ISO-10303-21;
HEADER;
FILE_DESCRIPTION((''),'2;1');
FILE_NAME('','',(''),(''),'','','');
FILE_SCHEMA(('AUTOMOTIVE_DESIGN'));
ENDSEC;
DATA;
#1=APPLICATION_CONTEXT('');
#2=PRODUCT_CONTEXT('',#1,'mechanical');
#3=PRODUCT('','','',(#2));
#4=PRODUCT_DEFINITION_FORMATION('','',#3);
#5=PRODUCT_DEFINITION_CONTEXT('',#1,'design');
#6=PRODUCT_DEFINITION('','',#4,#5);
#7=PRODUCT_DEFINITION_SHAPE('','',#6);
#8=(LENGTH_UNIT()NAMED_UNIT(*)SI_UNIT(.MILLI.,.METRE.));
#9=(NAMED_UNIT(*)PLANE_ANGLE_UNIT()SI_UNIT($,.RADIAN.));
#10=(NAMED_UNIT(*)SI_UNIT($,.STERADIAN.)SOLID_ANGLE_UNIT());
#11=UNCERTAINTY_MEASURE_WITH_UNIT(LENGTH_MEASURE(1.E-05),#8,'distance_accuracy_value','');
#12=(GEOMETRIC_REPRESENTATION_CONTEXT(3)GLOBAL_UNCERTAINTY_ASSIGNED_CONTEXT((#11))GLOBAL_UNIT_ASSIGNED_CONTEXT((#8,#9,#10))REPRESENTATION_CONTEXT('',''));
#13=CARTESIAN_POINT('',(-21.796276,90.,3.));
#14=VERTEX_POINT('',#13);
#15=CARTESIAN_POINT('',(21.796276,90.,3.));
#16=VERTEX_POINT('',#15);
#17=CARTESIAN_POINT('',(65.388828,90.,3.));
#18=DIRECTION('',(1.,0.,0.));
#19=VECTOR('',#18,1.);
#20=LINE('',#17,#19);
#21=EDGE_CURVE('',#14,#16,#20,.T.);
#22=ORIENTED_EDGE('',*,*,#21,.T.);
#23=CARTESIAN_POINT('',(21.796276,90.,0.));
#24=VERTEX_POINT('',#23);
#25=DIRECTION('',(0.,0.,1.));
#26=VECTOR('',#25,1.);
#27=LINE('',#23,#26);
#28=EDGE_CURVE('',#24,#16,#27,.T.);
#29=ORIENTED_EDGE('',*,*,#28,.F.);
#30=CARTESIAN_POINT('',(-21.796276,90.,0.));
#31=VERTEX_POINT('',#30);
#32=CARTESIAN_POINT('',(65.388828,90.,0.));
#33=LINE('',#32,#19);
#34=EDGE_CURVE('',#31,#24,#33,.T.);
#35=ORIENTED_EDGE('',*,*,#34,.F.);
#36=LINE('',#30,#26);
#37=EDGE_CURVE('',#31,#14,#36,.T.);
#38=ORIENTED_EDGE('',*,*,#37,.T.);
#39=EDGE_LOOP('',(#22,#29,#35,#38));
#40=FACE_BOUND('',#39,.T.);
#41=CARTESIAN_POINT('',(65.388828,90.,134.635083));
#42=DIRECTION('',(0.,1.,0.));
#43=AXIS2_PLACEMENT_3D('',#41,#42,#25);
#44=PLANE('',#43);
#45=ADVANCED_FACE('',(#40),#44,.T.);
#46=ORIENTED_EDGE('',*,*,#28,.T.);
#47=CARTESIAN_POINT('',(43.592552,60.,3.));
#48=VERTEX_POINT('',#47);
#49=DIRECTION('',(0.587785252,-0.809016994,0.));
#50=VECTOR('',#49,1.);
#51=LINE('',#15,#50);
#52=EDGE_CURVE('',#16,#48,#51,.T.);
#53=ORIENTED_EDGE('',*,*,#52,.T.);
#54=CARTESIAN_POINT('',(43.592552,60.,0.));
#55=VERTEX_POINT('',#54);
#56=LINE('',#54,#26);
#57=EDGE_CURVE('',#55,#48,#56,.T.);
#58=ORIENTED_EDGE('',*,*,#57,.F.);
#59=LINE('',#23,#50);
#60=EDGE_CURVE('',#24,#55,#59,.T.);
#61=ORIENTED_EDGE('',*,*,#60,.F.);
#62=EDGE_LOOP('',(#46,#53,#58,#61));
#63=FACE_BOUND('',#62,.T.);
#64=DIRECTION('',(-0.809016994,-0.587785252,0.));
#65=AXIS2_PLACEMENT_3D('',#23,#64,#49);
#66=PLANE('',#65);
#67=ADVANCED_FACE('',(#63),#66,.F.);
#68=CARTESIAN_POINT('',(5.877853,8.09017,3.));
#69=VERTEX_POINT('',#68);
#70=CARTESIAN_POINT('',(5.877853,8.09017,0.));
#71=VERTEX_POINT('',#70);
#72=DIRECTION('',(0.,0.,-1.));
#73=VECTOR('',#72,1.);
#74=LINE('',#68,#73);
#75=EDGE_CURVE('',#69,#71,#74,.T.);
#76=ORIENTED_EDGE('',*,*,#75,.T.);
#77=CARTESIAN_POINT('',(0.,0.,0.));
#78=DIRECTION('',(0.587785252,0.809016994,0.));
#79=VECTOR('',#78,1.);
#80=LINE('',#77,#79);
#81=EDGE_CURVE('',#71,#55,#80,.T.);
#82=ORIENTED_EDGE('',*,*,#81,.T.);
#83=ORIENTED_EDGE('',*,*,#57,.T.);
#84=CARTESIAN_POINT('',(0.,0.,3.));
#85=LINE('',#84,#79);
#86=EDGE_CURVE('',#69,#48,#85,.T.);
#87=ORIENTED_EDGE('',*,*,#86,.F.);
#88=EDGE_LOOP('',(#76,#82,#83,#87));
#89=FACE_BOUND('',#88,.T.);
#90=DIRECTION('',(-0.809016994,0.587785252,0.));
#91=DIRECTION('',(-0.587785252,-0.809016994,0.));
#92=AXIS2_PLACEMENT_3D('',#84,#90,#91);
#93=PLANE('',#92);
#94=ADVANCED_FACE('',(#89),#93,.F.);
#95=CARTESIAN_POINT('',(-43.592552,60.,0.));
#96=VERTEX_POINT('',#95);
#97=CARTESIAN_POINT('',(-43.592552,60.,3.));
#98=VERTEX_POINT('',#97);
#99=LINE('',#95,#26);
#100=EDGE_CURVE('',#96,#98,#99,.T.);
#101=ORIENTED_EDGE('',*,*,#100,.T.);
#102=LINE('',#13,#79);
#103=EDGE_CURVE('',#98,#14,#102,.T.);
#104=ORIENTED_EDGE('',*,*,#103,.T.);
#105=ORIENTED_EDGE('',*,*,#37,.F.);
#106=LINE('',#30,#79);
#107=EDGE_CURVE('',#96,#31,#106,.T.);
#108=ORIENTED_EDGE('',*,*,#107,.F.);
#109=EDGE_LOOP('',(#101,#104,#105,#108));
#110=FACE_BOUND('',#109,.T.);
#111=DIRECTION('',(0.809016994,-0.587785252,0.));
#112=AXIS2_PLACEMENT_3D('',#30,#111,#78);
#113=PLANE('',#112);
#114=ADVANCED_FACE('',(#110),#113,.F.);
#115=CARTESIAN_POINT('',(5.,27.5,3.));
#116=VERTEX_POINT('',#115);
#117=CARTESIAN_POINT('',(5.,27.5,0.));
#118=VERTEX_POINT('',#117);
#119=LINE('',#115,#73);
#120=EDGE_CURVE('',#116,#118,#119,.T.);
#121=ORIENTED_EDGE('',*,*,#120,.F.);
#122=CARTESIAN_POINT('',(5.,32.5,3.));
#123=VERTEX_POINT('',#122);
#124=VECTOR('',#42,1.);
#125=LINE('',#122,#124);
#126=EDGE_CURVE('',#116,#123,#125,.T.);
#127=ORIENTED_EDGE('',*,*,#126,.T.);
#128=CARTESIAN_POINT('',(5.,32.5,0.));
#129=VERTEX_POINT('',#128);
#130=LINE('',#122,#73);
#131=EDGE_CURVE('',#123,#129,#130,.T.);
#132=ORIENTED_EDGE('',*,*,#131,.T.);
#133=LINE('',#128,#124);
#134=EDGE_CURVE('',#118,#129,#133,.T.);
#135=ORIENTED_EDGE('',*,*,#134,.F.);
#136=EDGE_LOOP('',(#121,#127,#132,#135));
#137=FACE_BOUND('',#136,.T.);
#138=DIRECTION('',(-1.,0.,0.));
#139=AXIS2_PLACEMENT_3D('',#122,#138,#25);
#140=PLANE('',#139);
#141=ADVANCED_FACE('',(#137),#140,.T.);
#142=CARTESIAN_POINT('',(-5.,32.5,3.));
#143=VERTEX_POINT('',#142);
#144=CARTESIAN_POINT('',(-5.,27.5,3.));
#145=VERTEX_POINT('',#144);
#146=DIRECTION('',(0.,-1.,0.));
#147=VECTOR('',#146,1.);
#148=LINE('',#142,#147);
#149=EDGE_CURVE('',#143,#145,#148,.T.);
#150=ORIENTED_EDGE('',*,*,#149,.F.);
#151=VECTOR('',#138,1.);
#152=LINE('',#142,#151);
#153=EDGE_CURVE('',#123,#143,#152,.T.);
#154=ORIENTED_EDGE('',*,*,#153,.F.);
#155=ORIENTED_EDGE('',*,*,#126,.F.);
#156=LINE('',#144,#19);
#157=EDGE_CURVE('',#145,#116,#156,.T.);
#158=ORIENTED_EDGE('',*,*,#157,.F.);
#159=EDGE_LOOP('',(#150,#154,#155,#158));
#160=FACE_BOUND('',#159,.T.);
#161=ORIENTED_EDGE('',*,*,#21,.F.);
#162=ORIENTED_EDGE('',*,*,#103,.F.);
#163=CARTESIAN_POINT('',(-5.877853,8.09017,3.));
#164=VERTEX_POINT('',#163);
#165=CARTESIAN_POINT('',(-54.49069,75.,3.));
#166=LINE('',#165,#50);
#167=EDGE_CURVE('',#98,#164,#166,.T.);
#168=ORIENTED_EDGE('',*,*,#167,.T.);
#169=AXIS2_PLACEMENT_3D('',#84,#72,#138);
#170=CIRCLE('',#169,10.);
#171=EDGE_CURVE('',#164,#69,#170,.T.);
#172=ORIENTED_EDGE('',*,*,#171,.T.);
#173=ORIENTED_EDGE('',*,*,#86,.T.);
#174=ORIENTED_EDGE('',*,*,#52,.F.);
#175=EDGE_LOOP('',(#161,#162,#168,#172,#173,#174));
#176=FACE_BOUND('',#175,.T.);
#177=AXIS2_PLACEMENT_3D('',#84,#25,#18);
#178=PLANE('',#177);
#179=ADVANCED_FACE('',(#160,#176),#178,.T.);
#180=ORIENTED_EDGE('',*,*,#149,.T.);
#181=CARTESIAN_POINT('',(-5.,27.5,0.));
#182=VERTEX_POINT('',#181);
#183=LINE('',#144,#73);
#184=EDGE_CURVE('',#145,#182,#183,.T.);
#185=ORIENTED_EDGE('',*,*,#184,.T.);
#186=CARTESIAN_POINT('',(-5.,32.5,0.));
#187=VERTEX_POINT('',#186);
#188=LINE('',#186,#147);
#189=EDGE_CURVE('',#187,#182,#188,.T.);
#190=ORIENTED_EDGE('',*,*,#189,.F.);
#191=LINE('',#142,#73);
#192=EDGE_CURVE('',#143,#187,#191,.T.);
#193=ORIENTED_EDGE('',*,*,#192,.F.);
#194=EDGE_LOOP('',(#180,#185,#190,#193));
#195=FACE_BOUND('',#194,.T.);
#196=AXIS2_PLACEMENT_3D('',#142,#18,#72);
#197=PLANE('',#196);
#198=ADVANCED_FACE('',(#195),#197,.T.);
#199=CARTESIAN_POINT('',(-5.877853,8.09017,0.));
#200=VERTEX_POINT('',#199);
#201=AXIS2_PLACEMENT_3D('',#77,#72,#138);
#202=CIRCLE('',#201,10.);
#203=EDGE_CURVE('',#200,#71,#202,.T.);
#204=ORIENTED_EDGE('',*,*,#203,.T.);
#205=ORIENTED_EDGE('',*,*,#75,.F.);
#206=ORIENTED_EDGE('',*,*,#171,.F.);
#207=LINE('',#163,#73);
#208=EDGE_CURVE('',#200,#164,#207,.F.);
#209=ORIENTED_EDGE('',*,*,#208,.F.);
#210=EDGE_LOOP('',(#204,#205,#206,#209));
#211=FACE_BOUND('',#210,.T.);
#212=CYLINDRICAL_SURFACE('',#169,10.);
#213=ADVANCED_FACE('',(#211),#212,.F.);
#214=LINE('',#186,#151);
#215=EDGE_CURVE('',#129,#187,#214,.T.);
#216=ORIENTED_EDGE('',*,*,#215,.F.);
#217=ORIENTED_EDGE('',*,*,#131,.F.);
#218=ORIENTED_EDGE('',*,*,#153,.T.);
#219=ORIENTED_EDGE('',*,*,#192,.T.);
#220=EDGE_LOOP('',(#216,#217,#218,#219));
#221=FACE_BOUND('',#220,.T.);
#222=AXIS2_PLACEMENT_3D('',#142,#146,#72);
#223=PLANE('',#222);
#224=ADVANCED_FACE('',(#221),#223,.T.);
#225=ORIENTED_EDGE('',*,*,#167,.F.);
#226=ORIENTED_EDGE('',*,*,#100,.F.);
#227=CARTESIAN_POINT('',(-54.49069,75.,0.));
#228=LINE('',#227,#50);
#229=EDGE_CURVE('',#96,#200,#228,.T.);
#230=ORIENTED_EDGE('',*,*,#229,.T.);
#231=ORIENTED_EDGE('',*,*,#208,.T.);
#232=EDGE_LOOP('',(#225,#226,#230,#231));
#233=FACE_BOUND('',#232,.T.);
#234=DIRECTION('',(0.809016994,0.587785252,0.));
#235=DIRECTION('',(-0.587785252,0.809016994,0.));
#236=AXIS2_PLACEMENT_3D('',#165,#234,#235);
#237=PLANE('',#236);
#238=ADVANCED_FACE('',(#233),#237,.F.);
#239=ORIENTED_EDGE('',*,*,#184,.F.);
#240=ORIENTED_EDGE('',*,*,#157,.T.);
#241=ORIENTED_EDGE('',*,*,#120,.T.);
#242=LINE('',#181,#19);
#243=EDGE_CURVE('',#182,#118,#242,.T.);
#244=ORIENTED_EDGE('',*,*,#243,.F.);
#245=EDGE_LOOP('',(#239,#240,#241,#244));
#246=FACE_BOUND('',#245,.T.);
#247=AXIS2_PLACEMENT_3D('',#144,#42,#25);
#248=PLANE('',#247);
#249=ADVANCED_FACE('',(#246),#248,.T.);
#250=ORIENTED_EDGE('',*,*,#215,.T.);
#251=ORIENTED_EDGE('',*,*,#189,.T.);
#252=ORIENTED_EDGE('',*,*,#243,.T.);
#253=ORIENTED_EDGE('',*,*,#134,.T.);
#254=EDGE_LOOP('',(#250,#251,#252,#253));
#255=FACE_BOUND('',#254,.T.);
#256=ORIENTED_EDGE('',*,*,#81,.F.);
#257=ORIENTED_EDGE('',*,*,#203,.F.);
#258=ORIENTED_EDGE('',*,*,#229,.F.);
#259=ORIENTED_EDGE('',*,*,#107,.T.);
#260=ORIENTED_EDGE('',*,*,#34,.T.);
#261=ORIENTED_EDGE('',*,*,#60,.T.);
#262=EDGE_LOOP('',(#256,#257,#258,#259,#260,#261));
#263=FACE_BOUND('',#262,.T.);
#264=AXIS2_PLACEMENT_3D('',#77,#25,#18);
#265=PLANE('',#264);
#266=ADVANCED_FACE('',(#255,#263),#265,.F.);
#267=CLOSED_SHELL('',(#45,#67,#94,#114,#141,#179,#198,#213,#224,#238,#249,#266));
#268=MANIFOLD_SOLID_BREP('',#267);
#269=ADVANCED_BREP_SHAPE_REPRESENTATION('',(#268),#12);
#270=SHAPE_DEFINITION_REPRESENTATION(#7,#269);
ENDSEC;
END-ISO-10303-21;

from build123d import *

# Parameters (mm, degrees)
SKETCH3_W           = 10
SKETCH3_H           = 5
BOSS_EXTRUDE1_DEPTH = 3
BOSS_EXTRUDE2_DEPTH = 3
CUT_EXTRUDE1_DEPTH  = 4
SKETCH6_R           = 10
CUT_EXTRUDE2_DEPTH  = 4


with BuildPart() as part:
    # Sketch3 → Boss-Extrude1 (new body)
    with BuildSketch(Plane.XY):
        Polygon((0, 0), (54.4906896, 75), (-54.4906896, 75), align=None)
        with Locations((0, 30)):
            Rectangle(SKETCH3_W, SKETCH3_H, mode=Mode.SUBTRACT)
    extrude(amount=BOSS_EXTRUDE1_DEPTH)

    # Sketch4 → Boss-Extrude2 (add)
    with BuildSketch(Plane(origin=(0, 0, 0), x_dir=(-1, 0, 0), z_dir=(0, 0, -1))):
        Polygon((-54.4906896, 75), (-65.38882752, 90), (65.38882752, 90), (54.4906896, 75), align=None)
    extrude(amount=-BOSS_EXTRUDE2_DEPTH)

    # Sketch5 → Cut-Extrude1 (cut, through all)
    with BuildSketch(Plane.XY.offset(3)):
        Polygon((-65.38882752, 90), (-21.79627584, 90), (-43.59255168, 60), align=None)
        Polygon((65.38882752, 90), (21.79627584, 90), (43.59255168, 60), align=None)
    extrude(amount=-CUT_EXTRUDE1_DEPTH, mode=Mode.SUBTRACT)

    # Sketch6 → Cut-Extrude2 (cut, through all)
    with BuildSketch(Plane(origin=(0, 0, 0), x_dir=(-1, 0, 0), z_dir=(0, 0, -1))):
        Circle(SKETCH6_R)
    extrude(amount=-CUT_EXTRUDE2_DEPTH, mode=Mode.SUBTRACT)


solid = part.part
